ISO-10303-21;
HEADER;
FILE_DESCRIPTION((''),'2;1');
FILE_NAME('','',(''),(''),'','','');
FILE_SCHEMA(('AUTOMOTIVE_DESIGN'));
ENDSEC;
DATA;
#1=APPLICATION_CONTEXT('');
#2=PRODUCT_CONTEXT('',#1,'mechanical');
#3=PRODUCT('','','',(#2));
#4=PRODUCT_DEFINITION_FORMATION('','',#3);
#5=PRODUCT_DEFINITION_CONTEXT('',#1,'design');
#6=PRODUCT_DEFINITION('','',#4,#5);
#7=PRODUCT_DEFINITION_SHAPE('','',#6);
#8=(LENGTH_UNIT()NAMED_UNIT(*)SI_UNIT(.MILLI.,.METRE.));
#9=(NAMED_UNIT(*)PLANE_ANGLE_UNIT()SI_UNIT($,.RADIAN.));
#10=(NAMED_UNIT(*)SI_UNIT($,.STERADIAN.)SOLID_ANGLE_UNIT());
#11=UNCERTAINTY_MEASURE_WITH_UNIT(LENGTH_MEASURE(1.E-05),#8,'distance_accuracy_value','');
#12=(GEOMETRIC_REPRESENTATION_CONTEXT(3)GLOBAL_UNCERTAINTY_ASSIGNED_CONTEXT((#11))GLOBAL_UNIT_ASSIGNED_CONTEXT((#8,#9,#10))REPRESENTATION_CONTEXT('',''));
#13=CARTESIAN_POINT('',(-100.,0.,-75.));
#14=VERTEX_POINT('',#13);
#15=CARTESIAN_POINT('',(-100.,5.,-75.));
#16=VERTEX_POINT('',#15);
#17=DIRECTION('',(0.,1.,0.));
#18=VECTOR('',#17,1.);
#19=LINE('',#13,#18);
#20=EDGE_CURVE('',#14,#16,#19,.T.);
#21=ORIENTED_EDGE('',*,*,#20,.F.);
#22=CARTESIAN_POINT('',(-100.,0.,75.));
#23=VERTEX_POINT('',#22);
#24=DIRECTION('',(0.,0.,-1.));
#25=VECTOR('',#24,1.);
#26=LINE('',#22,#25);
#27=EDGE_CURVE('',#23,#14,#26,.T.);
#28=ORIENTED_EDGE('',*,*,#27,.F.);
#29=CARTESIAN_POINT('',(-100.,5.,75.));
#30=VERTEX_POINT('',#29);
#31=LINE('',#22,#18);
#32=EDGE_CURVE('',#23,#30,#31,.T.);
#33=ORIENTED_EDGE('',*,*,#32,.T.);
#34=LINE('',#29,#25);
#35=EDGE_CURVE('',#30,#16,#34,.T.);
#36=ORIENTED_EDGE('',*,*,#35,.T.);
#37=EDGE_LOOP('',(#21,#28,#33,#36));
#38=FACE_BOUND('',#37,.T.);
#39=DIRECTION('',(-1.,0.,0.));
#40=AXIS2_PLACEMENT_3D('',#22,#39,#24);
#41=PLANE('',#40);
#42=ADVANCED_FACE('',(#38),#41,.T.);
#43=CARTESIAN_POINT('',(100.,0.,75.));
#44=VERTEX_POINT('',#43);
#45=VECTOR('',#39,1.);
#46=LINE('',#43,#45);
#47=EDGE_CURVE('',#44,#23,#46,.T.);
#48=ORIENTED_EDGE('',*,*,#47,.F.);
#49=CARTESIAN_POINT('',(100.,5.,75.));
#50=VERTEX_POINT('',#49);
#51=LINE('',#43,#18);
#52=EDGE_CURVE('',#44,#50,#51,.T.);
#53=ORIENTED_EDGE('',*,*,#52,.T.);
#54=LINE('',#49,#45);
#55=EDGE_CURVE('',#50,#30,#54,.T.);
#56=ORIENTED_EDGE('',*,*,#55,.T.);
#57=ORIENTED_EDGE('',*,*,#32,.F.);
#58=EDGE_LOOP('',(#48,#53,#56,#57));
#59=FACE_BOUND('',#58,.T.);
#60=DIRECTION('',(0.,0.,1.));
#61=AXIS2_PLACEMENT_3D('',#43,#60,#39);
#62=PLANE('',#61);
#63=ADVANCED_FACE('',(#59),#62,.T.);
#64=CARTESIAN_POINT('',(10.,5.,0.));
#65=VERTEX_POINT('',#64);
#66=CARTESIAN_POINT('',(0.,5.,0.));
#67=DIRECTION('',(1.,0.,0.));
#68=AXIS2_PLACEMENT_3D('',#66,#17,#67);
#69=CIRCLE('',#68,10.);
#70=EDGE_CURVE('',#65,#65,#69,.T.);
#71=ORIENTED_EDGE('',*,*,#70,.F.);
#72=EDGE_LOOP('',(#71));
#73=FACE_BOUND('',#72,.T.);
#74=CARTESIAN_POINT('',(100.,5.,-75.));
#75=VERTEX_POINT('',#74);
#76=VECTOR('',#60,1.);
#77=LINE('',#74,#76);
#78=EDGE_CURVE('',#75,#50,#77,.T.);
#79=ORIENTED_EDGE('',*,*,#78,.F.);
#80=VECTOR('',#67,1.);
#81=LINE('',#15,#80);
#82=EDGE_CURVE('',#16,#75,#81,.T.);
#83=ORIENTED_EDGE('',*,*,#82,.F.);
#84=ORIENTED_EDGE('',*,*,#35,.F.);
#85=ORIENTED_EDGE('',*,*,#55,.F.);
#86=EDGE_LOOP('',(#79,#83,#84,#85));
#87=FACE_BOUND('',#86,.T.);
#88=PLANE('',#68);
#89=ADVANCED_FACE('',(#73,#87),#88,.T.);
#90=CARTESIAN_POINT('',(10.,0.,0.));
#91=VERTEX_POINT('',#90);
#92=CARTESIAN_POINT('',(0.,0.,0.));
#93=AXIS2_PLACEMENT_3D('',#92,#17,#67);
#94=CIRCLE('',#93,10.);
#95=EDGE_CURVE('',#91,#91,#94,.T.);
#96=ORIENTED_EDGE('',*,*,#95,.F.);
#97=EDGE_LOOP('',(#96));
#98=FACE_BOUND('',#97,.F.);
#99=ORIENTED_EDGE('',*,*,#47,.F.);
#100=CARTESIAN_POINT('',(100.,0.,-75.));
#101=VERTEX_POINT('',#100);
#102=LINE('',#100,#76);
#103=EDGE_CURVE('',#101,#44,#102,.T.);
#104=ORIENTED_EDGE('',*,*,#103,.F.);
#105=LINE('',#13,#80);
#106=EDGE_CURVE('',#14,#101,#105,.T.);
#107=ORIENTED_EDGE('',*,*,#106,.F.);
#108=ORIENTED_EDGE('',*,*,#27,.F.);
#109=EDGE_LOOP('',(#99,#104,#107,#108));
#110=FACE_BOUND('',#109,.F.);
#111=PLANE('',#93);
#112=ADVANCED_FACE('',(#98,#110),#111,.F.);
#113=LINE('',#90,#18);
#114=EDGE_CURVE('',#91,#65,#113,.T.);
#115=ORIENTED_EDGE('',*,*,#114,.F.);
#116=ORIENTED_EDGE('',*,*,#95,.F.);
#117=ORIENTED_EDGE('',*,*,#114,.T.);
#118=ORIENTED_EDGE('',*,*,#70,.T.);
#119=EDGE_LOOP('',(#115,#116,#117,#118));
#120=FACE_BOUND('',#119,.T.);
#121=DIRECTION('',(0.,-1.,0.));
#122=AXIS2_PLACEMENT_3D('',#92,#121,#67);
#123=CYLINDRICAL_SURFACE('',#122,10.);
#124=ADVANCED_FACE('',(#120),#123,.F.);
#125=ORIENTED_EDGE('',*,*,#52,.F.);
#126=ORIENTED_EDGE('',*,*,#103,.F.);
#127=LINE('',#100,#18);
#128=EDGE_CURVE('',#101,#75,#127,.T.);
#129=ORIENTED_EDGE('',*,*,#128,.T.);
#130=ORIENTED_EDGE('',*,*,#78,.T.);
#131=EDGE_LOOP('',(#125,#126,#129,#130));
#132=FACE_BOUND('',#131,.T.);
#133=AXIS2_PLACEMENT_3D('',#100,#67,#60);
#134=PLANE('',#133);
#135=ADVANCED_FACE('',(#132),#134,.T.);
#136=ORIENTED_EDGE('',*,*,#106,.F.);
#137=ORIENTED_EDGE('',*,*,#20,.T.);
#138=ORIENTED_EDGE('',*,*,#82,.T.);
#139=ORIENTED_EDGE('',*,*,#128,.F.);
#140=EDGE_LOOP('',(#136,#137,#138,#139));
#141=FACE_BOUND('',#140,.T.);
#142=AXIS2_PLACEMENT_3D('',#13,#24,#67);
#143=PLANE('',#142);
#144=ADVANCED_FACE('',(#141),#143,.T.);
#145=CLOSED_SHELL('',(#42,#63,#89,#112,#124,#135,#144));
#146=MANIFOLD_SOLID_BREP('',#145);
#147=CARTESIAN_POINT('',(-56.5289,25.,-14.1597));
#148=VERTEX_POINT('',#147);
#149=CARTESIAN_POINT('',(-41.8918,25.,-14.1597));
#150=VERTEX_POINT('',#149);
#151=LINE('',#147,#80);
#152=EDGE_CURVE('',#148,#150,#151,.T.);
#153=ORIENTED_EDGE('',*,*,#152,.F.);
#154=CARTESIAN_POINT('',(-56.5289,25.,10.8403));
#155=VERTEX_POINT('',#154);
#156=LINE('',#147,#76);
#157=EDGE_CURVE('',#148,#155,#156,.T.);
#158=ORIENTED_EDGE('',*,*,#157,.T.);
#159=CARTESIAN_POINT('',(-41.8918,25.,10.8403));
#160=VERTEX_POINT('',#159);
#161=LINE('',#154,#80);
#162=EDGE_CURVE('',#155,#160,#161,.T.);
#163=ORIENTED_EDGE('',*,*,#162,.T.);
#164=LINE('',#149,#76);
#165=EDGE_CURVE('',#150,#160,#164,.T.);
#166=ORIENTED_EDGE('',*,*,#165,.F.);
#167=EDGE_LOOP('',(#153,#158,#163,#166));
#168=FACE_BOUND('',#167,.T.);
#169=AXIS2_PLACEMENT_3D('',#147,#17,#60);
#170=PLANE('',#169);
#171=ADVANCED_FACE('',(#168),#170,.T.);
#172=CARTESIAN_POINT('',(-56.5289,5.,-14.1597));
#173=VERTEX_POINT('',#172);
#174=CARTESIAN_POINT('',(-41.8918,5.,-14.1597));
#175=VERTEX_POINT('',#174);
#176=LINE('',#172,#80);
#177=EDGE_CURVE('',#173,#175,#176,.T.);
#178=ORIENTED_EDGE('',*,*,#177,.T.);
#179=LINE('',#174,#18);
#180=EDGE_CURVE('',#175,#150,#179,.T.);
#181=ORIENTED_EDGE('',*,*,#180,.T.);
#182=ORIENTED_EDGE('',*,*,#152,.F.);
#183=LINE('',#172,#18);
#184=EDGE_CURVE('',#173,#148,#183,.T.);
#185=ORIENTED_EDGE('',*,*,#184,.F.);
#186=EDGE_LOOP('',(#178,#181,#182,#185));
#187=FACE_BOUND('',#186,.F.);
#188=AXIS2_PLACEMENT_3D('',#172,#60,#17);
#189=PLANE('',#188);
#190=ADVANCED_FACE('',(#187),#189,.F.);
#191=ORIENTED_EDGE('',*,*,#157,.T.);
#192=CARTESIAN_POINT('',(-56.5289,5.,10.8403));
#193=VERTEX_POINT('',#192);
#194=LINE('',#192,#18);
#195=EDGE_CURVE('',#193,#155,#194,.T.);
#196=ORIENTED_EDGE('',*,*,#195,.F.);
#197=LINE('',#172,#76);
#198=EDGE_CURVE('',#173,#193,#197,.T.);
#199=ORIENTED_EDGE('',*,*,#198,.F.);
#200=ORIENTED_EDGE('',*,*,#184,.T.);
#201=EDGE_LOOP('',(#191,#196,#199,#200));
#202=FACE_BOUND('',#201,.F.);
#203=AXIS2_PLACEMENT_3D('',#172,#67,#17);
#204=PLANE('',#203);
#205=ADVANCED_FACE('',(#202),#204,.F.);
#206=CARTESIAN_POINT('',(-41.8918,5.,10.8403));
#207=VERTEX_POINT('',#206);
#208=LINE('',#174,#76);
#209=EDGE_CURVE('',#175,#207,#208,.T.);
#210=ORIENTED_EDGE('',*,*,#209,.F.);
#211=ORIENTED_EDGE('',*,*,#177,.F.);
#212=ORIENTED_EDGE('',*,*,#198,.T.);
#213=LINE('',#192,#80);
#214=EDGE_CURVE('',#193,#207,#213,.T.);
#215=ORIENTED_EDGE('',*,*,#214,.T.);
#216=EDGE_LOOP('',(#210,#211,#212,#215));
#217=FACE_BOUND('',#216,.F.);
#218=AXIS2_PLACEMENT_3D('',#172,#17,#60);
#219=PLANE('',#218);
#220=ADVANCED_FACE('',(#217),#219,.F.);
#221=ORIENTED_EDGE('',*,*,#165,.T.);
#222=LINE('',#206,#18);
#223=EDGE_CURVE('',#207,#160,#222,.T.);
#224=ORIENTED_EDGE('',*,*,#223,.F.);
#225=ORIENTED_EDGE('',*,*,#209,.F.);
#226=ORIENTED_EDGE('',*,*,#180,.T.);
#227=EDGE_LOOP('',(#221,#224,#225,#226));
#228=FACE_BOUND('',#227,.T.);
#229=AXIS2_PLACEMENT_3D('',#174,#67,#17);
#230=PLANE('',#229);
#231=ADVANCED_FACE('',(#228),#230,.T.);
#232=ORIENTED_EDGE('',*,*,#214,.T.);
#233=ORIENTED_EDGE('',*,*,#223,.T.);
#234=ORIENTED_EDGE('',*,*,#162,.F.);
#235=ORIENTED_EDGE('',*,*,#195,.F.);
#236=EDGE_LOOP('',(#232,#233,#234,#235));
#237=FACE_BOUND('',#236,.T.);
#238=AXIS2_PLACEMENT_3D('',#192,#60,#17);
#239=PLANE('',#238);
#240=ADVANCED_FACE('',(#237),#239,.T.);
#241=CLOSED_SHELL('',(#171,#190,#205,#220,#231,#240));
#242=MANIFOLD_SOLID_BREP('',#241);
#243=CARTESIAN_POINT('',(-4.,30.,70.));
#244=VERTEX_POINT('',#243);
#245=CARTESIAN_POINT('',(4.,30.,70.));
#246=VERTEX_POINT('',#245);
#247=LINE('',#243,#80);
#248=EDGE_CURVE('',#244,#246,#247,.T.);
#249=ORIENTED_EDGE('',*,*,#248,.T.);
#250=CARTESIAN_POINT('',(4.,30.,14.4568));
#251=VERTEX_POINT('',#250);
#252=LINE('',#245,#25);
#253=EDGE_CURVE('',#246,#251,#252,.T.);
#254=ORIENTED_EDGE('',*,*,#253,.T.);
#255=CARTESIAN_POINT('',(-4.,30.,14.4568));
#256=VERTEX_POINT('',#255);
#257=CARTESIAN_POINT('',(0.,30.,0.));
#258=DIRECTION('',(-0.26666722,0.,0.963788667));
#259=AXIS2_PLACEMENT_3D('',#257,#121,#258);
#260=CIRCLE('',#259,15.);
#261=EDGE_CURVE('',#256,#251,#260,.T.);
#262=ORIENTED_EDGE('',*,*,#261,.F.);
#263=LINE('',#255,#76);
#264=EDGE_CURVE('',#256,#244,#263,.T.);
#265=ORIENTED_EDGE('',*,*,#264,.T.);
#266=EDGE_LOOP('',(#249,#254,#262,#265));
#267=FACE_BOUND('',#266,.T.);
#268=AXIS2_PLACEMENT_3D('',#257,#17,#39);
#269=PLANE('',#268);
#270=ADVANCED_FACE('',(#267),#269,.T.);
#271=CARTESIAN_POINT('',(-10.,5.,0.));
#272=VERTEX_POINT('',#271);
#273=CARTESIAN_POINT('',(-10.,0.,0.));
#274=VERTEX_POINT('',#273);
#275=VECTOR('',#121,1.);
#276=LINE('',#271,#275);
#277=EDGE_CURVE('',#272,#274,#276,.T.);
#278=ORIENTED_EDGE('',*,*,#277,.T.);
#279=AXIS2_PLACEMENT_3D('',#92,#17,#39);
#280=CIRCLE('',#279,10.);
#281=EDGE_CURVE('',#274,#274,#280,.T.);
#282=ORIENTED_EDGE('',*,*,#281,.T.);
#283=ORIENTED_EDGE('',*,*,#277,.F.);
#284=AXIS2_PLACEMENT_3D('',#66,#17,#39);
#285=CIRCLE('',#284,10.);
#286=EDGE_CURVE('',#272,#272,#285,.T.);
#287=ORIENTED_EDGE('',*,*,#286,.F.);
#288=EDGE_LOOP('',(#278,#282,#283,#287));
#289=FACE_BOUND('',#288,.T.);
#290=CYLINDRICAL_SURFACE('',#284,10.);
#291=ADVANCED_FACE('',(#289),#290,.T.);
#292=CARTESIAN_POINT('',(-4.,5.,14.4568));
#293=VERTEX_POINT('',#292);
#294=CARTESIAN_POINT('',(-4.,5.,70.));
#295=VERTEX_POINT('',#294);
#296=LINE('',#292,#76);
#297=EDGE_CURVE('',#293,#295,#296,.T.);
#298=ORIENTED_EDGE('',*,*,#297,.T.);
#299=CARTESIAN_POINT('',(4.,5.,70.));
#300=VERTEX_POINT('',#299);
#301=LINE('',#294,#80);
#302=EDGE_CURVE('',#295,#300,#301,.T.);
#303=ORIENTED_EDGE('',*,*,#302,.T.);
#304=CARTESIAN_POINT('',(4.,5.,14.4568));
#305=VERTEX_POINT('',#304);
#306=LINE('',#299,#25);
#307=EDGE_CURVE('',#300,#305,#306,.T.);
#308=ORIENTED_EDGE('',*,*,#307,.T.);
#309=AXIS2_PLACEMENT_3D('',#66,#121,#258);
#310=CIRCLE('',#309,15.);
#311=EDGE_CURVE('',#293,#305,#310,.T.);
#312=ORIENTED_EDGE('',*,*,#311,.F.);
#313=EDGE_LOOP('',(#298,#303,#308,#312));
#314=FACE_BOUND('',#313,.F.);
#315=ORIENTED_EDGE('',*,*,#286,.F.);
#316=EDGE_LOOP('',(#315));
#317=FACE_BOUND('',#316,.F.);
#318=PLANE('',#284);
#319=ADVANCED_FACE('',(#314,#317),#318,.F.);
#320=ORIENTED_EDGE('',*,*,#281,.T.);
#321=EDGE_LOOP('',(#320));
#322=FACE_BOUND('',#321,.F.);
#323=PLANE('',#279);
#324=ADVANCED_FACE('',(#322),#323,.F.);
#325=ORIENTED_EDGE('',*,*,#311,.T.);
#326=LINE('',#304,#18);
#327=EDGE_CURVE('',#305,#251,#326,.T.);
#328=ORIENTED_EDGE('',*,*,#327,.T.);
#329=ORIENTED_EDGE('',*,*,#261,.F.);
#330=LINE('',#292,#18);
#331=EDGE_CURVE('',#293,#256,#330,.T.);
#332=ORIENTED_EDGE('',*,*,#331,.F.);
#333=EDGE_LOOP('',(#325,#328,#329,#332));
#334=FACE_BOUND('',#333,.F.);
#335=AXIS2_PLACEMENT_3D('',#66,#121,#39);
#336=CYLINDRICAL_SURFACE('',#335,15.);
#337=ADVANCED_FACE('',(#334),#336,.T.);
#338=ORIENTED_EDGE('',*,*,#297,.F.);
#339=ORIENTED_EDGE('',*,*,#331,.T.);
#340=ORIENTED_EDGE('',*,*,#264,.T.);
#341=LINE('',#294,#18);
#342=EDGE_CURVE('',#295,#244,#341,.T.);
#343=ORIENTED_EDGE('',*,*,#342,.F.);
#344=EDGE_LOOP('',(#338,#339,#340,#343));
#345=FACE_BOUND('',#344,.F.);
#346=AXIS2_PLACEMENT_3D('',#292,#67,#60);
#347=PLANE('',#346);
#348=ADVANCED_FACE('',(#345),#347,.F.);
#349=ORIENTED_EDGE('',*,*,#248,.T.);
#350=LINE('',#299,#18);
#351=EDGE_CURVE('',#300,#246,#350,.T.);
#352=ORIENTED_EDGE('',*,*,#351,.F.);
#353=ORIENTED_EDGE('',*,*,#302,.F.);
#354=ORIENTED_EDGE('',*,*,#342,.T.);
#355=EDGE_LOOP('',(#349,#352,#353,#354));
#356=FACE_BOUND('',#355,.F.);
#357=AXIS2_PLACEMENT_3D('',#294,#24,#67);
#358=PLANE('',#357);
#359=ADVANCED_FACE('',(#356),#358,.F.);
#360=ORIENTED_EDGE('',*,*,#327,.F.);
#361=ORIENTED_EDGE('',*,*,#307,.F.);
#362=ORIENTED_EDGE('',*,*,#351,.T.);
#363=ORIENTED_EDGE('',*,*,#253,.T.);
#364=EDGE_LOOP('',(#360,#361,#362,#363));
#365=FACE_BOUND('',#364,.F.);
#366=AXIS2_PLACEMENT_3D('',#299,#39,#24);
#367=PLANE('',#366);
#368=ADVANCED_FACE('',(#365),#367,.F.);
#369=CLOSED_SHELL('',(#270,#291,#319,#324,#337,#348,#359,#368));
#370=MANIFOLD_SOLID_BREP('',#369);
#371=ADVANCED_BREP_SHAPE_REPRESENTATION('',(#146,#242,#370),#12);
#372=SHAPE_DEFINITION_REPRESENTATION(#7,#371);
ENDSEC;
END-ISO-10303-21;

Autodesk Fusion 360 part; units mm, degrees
sketch "Sketch1" plane through (0, 0, 0) normal (0, 1, 0) x (1, 0, 0)
  line L0 (100, -75) -> (-100, -75)
  line L1 (-100, -75) -> (-100, 75)
  line L2 (-100, 75) -> (100, 75)
  line L3 (100, 75) -> (100, -75)
  line L4 (100, -75) -> (-100, 75) construction
  line L5 (-100, -75) -> (100, 75) construction
  circle A0 centre (0, 0) radius 10
  dimension "d1" = 200
  dimension "d2" = 150
  dimension "d3" = 20
extrude "Extrude1" add sketch "Sketch1" along normal blind 5 makes body 1
sketch "Sketch1 (2)" plane through (0, 5, 0) normal (0, 1, 0) x (-1, 0, 0) in component "Paddle"
  circle A0 centre (0, 0) radius 10
  line L0 (-100, -75) -> (100, -75)
  line L1 (100, -75) -> (100, 75)
  line L2 (100, 75) -> (-100, 75)
  line L3 (-100, 75) -> (-100, -75)
  circle A1 centre (0, 0) radius 10
  circle A2 centre (0, 0) radius 15
  line L4 (4, 14.4568) -> (4, 70)
  line L5 (4, 70) -> (-4, 70)
  line L6 (-4, 70) -> (-4, 14.4568)
  dimension "d6" = 20
  dimension "d7" = 30
  dimension "d8" = 4
  dimension "d9" = 8
  dimension "d10" = 70
extrude "Extrude1'" add sketch "Sketch1 (2)" against normal blind 5 separate body contours A0 A1 makes body 2 in component "Paddle"
extrude "Extrude2" add sketch "Sketch1 (2)" along normal blind 25 contours A0 A1 | A2 | A2 L4 L5 L6 bodies 2 in component "Paddle"
box "BoxPrimitive1" add length 25 width 14.6371 height 20 placed x (0, 0, 1) y (1, 0, 0) z (0, 1, 0) at (-56.5289, 5, -14.1597) separate body makes body 3 in component "Block"
component "Paddle" placed x (1, 0, 0) y (0, 1, 0) z (0, 0, 1) at (0, 0, 0)
component "Block" placed x (1, 0, 0) y (0, 1, 0) z (0, 0, 1) at (0, 0, 0)
